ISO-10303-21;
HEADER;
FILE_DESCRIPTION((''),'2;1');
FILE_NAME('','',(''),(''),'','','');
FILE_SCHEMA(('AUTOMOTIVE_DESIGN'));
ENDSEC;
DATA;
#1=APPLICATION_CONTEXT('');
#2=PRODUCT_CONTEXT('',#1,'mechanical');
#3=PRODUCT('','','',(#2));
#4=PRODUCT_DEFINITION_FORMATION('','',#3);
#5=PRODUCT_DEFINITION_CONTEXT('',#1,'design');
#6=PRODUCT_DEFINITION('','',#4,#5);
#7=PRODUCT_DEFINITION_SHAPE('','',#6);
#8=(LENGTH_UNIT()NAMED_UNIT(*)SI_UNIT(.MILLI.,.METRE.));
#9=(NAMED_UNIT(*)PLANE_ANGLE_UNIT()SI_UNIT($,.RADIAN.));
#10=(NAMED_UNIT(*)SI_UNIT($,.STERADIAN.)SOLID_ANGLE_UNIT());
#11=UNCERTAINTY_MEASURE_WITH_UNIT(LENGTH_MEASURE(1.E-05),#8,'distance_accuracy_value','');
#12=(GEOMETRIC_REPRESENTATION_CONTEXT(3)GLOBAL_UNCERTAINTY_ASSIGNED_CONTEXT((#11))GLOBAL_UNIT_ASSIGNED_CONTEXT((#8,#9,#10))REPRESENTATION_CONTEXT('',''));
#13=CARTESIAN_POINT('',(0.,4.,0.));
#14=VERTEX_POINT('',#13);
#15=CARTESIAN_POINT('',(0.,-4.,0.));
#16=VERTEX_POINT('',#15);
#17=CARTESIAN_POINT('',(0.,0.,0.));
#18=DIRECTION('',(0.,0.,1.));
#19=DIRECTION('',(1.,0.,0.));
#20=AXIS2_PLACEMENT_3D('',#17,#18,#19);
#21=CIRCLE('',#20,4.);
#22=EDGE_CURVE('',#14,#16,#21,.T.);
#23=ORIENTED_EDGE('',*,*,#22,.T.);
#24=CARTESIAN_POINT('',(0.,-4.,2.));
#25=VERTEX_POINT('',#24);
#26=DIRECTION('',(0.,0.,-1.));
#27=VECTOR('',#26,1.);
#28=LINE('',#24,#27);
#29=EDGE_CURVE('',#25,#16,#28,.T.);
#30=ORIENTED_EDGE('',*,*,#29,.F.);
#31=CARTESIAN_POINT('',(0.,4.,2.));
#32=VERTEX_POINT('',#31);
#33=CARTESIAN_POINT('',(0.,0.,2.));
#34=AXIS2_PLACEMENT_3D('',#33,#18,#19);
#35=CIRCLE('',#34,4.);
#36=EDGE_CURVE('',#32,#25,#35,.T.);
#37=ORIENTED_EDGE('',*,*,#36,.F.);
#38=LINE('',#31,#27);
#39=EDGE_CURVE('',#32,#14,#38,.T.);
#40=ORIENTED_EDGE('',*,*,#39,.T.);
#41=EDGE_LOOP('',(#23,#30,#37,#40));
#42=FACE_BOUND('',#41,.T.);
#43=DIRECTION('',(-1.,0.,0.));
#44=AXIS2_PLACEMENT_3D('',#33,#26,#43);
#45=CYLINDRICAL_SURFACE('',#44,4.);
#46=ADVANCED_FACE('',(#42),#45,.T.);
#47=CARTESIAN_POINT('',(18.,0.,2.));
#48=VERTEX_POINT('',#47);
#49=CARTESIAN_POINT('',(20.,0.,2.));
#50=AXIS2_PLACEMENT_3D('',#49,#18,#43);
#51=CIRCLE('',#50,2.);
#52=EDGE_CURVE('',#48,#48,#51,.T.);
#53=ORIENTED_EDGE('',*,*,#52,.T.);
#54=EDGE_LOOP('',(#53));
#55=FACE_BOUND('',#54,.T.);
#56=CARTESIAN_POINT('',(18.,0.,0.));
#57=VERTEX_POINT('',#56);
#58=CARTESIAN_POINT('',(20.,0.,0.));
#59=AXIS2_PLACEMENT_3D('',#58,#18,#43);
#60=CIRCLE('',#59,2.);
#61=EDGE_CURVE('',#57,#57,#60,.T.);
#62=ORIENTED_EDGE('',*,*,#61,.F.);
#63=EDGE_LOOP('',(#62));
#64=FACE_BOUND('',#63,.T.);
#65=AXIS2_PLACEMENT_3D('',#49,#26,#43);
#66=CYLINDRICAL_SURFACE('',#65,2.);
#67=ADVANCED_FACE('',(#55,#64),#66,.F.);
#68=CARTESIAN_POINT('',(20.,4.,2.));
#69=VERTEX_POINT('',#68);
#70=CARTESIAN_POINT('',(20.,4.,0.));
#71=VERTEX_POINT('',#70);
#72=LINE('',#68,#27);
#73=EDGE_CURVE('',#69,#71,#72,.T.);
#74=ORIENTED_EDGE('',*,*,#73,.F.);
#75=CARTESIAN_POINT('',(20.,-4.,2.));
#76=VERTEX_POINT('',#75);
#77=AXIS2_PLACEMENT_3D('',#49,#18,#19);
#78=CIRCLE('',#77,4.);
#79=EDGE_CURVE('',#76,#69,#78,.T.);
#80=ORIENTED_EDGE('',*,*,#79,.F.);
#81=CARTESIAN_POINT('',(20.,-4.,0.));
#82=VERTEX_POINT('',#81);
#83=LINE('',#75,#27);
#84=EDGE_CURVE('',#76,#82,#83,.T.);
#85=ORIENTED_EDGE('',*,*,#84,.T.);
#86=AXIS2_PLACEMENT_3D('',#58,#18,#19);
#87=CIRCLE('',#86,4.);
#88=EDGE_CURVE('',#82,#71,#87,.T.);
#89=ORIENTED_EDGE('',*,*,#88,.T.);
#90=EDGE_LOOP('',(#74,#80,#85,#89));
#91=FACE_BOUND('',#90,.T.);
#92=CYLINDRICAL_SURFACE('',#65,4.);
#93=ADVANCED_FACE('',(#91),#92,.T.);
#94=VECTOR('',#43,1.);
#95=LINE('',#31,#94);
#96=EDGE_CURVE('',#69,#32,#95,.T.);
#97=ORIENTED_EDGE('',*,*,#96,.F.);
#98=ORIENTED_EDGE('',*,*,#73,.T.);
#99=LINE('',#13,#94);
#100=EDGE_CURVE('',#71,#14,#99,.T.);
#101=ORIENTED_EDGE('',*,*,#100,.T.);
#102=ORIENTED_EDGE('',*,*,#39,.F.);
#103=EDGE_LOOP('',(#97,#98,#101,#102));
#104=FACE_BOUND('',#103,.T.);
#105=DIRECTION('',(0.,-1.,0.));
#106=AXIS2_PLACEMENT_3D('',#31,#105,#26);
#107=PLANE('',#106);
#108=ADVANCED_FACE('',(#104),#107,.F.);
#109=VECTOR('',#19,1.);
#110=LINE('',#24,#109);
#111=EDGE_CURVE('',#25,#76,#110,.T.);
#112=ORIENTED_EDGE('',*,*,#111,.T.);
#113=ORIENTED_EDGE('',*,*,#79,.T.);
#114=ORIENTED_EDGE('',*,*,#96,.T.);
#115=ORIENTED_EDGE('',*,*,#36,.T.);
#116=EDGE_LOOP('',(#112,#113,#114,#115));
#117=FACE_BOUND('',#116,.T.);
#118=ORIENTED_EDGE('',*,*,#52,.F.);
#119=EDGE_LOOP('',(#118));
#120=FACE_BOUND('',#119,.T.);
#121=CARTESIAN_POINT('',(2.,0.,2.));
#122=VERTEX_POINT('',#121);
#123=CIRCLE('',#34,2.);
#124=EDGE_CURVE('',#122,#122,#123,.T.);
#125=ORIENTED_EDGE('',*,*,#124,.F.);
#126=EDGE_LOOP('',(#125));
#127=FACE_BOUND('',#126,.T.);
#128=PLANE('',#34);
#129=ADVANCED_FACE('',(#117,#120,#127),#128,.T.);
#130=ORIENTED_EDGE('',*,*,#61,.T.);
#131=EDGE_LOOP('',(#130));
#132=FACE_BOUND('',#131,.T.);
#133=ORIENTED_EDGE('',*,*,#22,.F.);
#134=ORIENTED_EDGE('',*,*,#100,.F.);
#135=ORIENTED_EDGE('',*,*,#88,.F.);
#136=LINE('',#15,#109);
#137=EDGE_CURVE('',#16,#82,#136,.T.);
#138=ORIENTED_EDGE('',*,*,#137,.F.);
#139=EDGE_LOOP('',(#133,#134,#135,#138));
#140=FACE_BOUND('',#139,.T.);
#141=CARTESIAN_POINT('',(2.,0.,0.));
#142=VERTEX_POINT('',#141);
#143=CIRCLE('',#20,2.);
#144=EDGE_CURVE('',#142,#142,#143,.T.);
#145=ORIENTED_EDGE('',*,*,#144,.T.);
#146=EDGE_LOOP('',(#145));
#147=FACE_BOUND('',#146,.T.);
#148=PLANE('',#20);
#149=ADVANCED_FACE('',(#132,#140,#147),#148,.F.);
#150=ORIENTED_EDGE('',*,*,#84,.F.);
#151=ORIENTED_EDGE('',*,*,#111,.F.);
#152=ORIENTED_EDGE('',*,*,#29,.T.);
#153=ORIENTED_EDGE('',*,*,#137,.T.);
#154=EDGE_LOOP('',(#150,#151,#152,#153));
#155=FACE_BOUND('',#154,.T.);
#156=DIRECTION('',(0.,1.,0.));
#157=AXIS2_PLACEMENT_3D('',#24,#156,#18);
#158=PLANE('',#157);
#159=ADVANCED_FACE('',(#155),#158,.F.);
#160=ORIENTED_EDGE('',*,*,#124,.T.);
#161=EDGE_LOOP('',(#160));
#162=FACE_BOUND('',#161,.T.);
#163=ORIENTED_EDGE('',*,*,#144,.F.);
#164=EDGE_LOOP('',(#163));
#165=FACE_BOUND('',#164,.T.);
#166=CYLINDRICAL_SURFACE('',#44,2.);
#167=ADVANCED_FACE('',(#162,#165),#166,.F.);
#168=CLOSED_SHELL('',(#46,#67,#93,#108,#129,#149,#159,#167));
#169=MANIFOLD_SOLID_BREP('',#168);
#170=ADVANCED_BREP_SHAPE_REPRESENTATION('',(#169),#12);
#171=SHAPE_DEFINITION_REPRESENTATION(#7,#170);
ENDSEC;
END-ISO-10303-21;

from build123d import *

# Parameters (mm, degrees)
SKETCH1_R           = 2
BOSS_EXTRUDE1_DEPTH = 2


with BuildPart() as part:
    # Sketch1 → Boss-Extrude1 (new body)
    with BuildSketch(Plane.XY):
        with BuildLine():
            Line((0, 4), (20, 4))
            ThreePointArc((20, 4), (24, 0), (20, -4))
            Line((20, -4), (0, -4))
            ThreePointArc((0, -4), (-4, 0), (0, 4))
        make_face()
        Circle(SKETCH1_R, mode=Mode.SUBTRACT)
        with Locations((20, 0)):
            Circle(SKETCH1_R, mode=Mode.SUBTRACT)
    extrude(amount=BOSS_EXTRUDE1_DEPTH)


solid = part.part
